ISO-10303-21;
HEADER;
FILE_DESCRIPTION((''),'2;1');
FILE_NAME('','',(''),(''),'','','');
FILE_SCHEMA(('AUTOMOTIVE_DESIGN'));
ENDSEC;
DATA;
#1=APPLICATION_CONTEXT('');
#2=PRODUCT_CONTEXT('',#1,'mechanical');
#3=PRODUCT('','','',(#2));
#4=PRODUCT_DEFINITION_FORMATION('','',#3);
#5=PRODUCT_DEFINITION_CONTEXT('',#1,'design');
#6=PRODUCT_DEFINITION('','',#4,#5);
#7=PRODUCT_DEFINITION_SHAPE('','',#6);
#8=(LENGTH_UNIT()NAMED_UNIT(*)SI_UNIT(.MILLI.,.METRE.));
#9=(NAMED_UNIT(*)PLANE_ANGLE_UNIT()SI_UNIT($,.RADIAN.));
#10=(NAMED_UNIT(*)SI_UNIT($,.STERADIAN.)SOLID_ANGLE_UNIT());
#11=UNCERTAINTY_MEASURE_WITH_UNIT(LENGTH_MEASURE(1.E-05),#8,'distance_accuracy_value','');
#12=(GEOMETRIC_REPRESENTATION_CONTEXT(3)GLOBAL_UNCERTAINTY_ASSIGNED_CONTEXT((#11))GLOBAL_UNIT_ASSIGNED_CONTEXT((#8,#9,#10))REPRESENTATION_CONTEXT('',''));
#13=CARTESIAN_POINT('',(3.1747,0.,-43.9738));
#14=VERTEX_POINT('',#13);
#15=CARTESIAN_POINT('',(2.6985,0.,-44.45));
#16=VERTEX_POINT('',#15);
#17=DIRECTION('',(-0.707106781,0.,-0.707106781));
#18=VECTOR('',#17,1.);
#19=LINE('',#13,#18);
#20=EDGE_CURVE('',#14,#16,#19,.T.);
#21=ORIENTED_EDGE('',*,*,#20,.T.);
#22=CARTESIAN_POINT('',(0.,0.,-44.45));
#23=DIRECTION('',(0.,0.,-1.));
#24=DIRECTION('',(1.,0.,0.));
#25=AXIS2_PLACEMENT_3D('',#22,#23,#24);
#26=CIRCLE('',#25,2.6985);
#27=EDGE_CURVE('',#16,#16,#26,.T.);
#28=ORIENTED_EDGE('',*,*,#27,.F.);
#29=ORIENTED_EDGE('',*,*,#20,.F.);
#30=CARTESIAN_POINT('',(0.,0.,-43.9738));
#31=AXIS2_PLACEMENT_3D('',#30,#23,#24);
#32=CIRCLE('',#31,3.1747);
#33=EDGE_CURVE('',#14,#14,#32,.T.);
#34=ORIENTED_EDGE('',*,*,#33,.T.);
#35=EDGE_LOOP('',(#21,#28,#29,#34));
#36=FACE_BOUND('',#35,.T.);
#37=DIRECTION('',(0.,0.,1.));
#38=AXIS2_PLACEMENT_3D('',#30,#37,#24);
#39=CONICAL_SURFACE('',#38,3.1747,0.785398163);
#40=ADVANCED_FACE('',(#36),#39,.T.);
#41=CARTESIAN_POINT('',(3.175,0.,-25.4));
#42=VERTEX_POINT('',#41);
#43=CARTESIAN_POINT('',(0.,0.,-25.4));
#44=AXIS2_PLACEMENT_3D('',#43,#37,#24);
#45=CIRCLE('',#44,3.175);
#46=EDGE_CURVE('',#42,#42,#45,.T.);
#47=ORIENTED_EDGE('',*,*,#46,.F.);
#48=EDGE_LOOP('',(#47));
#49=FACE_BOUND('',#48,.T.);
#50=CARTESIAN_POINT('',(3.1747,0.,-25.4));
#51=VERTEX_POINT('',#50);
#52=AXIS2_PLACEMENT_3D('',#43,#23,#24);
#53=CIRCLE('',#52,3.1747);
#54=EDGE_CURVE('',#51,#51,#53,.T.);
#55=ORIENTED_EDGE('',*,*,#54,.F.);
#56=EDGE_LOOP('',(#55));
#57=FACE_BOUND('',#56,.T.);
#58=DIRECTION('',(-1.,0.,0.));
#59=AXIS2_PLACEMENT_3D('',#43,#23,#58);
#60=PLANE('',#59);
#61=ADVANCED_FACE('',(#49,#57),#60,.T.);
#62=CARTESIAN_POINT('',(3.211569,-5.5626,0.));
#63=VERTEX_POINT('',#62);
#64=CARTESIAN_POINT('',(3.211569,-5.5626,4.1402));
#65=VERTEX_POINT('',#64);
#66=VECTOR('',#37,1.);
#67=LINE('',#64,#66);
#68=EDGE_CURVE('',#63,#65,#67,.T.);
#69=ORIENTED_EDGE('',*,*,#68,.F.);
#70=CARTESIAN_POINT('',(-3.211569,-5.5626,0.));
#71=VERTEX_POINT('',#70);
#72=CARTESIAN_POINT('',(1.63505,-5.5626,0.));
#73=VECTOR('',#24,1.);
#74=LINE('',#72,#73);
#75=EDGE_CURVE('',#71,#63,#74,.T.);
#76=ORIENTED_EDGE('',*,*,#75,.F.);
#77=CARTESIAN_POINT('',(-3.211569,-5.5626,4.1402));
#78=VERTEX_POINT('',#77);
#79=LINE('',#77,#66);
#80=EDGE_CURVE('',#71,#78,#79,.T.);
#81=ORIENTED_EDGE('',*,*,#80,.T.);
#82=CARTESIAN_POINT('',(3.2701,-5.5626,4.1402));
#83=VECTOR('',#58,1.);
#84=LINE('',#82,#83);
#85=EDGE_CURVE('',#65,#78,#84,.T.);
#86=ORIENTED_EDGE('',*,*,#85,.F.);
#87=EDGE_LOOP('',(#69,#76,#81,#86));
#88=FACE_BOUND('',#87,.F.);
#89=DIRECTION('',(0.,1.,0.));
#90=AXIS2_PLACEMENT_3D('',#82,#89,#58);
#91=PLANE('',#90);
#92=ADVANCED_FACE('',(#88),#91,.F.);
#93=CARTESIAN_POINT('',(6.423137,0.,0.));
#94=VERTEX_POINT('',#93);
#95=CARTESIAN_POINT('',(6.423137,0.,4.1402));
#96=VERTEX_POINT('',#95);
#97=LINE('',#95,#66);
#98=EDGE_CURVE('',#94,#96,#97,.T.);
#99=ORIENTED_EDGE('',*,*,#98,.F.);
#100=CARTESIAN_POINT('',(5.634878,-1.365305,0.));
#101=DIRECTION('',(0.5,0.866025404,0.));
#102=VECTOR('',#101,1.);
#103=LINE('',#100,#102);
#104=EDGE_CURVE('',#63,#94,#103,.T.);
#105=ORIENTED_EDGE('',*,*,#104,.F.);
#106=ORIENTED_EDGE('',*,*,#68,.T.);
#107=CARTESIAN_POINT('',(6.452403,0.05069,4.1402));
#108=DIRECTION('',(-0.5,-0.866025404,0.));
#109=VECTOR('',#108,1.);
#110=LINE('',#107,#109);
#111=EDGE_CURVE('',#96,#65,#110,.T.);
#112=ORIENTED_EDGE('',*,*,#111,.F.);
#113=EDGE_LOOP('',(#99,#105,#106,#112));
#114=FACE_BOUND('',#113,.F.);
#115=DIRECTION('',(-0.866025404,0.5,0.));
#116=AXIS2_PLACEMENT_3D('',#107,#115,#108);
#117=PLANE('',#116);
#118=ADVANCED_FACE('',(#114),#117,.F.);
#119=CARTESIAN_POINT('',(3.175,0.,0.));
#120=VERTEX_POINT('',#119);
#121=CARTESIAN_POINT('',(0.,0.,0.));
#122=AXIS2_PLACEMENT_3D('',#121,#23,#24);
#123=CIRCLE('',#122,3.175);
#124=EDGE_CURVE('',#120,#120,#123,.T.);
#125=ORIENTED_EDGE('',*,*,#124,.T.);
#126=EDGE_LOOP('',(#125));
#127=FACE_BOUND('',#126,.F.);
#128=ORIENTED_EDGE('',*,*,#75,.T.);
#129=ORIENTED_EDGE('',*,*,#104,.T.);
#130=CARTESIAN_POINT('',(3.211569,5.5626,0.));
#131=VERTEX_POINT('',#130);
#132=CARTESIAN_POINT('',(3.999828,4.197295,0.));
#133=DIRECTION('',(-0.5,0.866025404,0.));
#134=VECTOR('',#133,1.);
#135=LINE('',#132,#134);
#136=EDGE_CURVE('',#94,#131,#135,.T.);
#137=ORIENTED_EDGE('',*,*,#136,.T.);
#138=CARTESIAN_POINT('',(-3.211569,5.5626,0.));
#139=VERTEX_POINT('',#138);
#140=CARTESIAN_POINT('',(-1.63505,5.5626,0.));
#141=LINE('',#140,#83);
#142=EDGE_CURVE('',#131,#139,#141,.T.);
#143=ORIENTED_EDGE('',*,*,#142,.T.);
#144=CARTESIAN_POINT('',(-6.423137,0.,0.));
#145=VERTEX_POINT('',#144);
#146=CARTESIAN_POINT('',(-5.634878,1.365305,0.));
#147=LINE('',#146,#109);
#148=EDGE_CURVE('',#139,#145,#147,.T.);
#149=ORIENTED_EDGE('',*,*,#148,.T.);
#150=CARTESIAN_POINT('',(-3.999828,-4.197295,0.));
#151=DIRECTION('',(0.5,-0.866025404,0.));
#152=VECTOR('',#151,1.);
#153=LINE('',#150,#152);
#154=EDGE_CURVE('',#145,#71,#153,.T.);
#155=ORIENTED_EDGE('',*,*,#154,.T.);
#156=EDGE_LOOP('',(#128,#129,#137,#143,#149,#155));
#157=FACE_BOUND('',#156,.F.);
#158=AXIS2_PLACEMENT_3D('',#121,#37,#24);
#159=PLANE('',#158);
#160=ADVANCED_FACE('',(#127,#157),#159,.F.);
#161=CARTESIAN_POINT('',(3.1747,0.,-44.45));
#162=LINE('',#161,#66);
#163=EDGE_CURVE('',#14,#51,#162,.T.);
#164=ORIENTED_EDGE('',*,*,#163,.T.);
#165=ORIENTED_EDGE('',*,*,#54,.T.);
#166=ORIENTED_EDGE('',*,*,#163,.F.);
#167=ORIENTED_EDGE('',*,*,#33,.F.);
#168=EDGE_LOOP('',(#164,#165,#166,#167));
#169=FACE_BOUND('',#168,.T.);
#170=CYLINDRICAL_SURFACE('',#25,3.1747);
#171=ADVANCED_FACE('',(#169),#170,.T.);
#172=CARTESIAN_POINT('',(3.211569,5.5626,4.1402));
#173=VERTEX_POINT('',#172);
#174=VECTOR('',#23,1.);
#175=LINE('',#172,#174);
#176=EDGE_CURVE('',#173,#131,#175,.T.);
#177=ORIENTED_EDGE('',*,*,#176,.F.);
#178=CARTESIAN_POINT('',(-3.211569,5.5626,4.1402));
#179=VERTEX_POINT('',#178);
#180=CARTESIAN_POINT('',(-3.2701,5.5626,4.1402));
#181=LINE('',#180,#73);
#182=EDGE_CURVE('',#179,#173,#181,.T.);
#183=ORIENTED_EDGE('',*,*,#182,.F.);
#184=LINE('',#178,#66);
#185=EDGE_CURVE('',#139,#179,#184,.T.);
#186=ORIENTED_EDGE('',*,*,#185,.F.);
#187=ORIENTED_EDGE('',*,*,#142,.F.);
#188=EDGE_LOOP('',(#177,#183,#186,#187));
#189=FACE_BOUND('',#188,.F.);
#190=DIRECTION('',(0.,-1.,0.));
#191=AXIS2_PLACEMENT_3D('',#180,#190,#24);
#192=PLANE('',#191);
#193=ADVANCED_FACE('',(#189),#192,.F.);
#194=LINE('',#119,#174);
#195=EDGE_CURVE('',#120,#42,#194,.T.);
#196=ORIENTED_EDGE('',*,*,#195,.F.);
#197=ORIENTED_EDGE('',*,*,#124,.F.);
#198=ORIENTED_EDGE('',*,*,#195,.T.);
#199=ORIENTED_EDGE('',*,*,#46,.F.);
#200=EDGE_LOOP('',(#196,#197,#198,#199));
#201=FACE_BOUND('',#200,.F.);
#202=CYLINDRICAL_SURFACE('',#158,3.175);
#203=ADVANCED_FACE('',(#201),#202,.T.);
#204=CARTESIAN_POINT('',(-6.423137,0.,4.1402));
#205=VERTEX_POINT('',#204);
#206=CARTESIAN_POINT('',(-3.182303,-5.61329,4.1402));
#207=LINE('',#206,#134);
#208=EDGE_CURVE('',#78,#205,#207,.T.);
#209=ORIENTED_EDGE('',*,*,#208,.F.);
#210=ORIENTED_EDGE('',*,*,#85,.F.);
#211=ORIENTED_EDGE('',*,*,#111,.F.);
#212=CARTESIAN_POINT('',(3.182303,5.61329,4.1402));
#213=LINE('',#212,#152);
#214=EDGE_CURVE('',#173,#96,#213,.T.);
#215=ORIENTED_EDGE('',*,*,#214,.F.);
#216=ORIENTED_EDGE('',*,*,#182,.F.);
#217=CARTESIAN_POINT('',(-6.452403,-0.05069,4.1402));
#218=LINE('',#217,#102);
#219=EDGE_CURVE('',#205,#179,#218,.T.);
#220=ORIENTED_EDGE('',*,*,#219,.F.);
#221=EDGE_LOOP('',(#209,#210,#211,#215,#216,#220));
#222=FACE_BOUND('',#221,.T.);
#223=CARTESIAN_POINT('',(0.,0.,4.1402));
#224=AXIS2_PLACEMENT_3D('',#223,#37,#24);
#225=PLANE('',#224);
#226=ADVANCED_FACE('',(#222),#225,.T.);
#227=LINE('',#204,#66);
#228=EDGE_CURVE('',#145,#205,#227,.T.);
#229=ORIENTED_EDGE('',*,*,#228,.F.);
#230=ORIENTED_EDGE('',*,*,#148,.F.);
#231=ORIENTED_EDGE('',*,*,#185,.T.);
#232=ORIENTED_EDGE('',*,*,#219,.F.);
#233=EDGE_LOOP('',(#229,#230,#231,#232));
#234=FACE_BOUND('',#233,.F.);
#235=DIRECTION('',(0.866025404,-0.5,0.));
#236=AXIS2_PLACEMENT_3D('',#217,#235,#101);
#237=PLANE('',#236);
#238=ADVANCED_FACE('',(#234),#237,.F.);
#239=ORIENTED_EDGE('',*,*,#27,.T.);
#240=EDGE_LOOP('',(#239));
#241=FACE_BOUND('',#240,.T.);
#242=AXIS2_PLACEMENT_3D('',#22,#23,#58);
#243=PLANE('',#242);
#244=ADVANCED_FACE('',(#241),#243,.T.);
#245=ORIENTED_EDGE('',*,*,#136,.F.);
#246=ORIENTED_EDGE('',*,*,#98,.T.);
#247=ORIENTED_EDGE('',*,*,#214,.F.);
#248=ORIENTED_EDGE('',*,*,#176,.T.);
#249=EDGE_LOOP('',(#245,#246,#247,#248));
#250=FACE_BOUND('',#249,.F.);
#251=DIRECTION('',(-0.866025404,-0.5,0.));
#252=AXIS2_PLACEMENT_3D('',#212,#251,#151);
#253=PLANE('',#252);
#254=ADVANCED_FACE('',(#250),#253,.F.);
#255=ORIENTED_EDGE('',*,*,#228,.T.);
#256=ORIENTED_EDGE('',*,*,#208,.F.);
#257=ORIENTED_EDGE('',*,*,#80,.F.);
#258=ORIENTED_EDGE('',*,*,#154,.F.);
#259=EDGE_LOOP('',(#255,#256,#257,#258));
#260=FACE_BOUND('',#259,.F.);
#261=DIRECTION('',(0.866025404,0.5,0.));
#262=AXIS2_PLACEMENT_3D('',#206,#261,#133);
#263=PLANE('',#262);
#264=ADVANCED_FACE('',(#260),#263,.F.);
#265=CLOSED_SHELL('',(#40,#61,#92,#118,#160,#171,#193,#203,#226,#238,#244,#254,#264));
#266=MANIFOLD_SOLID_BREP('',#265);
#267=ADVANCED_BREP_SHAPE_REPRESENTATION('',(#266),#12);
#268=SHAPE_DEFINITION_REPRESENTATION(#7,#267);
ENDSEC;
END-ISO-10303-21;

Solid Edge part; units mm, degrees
sketch "Sketch1" plane through (0, 0, 0) normal (0, 0, 1) x (1, 0, 0)
  circle A0 centre (0, 0) radius 6.4526
  dimension "D1" = 12.9052
extrude "Protrusion1" add sketch "Sketch1" along normal blind 4.1402
sketch "Sketch2" plane through (0, 0, 0) normal (0, 0, -1) x (1, 0, 0)
  circle A0 centre (0, 0) radius 3.175
extrude "Protrusion2" add sketch "Sketch2" along normal blind 44.45
sketch "Sketch3" plane through (0, 0, -44.45) normal (0, 0, -1) x (1, 0, 0)
  circle A0 centre (0, 0) radius 3.1747
extrude "Cutout1" cut sketch "Sketch3" against normal blind 19.05 flip side to cut
chamfer "Chamfer_1" distance 0.4762 angle 45 1 edges at (-3.1747, 0, -44.45)
sketch "Sketch4" plane through (0, 0, 4.1402) normal (0, 0, 1) x (1, 0, 0)
  line L0 (-3.2701, 5.5626) -> (3.2701, 5.5626)
  dimension "D1" = 11.1252
extrude "Cutout2" cut sketch "Sketch4" against normal up to next material side at (0, 5.6126, 4.1402)
pattern_circular "Pattern1" count 6 over 360 about axis through (0, 0, 4.1402) along (0, 0, 1) of "Cutout2"
properties part number "119179"
